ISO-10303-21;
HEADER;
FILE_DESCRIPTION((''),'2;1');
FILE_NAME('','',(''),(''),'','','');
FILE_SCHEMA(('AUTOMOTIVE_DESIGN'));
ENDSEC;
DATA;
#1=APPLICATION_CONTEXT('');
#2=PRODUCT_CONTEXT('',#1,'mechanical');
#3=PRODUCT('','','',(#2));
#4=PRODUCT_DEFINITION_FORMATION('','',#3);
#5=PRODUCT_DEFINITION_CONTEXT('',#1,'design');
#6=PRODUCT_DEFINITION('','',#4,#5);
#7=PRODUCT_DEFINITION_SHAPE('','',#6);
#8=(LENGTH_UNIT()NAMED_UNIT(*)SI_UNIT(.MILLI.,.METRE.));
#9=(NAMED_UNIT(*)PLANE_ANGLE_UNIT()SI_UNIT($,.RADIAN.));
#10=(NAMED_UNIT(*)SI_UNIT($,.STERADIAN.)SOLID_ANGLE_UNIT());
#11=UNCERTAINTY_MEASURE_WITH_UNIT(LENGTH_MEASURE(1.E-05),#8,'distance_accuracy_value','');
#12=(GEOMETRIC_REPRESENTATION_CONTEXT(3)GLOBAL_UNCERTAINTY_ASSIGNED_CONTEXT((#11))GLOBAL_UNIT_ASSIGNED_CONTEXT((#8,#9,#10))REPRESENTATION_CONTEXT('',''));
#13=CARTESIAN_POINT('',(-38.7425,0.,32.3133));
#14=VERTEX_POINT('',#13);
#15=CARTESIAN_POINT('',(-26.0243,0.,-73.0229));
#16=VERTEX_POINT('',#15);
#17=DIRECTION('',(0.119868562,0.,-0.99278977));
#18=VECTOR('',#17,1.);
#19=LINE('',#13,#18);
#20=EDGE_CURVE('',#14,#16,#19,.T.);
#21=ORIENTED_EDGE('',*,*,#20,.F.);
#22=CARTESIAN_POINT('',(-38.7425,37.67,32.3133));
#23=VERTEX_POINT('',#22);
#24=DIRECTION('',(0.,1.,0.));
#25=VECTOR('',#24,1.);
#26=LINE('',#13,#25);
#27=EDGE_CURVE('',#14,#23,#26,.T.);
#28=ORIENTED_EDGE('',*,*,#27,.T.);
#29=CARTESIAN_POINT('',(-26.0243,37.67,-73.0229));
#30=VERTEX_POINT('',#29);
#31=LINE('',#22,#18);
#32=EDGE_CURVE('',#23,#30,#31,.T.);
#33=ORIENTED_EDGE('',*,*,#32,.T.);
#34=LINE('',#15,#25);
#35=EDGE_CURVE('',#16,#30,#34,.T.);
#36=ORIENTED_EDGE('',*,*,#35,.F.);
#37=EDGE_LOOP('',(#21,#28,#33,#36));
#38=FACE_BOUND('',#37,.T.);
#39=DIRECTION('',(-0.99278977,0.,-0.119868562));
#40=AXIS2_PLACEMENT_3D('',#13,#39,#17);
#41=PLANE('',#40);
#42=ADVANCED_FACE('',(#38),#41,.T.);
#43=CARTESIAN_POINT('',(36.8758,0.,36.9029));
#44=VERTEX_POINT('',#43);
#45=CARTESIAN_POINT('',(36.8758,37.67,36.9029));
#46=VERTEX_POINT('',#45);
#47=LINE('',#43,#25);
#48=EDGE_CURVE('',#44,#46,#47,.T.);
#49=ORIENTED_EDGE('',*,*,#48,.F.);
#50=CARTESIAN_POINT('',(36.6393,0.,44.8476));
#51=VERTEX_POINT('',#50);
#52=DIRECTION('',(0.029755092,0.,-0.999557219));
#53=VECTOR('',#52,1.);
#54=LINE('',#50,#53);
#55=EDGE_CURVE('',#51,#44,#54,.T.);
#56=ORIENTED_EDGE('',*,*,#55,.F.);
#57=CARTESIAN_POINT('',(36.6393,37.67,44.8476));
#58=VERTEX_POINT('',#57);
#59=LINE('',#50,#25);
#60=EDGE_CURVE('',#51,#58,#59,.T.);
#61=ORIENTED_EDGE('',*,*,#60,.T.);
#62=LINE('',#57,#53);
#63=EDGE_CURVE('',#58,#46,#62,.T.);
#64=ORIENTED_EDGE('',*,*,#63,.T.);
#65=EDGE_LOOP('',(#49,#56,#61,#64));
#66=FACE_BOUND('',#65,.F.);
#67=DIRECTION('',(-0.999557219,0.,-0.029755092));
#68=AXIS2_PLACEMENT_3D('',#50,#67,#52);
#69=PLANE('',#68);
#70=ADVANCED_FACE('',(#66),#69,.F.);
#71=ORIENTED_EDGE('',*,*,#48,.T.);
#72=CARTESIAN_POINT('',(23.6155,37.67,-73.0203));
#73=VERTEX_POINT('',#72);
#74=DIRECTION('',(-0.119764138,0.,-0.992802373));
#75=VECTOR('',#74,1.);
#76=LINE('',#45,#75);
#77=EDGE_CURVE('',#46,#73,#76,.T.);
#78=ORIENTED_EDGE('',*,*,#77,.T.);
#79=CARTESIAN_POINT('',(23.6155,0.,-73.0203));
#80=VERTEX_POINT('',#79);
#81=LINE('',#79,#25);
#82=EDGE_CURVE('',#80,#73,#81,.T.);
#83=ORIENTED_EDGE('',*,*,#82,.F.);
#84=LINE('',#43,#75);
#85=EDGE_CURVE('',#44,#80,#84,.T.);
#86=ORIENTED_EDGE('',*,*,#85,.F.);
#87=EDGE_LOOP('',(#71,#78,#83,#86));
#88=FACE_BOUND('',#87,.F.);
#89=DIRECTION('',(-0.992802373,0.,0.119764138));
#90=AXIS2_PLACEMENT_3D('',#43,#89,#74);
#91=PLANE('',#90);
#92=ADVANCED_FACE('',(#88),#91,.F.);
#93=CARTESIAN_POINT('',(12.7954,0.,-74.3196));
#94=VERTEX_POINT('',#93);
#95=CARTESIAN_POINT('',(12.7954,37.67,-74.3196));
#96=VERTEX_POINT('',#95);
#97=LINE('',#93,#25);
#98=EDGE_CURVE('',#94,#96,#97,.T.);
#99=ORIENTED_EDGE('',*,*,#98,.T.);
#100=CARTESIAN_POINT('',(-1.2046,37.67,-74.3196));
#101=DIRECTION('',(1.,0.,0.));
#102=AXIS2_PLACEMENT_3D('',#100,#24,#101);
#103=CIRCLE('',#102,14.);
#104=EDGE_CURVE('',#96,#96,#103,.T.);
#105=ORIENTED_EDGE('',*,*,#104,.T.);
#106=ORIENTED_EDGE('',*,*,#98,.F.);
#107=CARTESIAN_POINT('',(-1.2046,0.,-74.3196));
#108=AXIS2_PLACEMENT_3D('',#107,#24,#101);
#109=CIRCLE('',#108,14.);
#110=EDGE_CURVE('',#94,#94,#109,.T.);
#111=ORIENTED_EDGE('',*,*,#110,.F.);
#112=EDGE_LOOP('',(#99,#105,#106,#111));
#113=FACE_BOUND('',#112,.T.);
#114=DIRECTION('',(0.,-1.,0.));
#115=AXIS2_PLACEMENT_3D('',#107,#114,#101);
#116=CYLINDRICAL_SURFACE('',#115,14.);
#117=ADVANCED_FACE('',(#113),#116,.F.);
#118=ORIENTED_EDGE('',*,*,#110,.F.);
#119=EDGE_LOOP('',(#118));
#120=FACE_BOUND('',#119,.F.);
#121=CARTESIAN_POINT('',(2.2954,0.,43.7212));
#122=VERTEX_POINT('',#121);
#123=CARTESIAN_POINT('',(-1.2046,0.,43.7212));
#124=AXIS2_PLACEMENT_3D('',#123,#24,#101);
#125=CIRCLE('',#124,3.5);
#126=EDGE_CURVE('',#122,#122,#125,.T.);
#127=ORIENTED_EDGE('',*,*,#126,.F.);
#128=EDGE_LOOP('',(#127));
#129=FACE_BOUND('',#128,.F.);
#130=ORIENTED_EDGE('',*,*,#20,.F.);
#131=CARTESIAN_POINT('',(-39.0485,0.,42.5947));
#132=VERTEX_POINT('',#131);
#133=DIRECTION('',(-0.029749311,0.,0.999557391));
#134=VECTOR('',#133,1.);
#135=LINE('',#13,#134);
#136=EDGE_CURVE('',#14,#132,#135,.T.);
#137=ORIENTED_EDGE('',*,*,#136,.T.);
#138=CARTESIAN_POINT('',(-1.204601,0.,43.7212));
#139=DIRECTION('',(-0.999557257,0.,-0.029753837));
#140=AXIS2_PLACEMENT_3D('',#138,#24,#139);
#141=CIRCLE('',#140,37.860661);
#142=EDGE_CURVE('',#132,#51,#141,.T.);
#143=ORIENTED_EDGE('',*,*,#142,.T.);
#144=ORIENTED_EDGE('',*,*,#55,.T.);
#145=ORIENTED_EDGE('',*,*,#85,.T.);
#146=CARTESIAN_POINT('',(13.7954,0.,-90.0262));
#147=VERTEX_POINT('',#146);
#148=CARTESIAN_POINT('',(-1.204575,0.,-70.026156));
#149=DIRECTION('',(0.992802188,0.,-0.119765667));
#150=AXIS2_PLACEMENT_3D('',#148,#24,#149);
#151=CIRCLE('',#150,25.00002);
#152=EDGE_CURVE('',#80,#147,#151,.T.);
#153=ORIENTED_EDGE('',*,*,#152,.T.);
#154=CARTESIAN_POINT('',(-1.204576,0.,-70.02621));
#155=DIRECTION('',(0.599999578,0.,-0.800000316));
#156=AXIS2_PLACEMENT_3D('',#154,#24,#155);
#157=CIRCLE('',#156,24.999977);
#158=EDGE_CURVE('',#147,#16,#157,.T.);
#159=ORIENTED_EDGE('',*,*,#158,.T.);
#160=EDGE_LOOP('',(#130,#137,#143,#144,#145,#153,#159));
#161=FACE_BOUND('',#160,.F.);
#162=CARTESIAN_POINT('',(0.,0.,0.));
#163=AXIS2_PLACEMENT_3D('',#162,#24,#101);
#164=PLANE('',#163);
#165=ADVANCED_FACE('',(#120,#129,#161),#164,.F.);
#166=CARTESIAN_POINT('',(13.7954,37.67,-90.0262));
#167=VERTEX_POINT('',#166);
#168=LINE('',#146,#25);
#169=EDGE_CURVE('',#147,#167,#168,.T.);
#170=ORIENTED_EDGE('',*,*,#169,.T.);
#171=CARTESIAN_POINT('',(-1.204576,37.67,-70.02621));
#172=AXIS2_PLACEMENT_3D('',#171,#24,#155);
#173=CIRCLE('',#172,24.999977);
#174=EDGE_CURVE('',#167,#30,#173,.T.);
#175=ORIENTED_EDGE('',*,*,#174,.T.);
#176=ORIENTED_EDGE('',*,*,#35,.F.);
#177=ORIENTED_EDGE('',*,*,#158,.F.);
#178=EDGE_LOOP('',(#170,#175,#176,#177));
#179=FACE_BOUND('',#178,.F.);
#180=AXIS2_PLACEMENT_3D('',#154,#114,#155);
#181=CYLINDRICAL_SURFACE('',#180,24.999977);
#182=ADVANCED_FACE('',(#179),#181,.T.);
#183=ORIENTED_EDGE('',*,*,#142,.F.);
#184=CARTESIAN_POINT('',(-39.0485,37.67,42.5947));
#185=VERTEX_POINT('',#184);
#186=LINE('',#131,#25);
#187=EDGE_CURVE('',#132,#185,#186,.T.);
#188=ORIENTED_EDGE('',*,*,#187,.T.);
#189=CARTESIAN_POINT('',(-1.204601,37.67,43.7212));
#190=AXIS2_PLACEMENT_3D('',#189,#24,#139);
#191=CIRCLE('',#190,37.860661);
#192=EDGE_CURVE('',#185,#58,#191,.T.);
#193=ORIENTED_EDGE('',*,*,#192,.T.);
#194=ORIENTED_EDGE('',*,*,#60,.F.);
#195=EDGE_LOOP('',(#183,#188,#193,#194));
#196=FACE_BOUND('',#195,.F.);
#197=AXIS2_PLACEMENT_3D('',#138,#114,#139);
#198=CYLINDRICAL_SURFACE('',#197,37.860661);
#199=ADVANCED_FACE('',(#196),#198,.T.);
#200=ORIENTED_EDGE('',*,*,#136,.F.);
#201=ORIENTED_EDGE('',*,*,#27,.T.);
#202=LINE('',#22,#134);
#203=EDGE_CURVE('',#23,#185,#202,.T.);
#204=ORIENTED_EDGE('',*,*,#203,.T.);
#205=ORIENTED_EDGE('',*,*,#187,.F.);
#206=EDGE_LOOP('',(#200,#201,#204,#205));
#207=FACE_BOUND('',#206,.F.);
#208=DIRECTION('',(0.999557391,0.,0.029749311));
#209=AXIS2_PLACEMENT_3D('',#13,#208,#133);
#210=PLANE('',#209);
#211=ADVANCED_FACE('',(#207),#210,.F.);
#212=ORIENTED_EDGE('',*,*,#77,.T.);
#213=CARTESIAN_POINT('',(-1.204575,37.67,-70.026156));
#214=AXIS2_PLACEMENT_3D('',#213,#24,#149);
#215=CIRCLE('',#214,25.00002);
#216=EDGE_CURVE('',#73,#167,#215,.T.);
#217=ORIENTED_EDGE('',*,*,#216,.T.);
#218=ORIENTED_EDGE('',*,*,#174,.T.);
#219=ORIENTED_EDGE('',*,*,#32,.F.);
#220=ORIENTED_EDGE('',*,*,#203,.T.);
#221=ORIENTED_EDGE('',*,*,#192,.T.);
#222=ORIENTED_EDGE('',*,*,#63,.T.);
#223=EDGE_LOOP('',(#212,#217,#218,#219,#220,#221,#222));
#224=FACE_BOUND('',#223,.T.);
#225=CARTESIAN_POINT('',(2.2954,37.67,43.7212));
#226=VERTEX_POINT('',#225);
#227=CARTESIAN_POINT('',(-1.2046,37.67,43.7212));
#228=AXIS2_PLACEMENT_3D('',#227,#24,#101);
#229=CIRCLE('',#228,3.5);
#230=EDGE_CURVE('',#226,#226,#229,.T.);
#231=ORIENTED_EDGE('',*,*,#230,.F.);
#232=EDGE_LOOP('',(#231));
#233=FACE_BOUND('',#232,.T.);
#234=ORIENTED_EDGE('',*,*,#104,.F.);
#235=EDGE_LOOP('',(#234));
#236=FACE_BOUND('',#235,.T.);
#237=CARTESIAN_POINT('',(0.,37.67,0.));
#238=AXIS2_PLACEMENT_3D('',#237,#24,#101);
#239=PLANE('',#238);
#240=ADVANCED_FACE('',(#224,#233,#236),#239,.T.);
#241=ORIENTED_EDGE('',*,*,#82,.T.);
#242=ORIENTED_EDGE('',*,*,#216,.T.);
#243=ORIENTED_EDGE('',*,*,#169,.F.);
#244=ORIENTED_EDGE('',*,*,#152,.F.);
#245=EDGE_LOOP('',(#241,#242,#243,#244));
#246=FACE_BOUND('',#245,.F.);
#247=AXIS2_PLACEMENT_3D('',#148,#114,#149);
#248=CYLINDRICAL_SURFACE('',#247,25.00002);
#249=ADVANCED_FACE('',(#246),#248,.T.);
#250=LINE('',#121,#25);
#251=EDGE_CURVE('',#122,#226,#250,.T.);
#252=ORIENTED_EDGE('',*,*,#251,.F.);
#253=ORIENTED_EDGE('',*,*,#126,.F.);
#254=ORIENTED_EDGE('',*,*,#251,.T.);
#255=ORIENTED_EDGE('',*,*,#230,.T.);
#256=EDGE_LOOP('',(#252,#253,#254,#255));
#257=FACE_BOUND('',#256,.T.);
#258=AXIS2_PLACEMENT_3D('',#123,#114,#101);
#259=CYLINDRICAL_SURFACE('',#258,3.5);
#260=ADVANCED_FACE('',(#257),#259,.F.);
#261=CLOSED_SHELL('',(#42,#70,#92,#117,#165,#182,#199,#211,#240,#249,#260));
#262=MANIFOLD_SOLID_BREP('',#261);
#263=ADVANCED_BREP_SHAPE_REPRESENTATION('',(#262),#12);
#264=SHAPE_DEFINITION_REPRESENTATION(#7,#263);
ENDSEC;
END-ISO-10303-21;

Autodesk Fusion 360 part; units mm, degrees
sketch "Sketch1" plane through (0, 0, 0) normal (0, 1, 0) x (1, 0, 0)
  line L0 (36.6393, -44.8476) -> (36.8758, -36.9029)
  line L1 (-38.7425, -32.3133) -> (-39.0485, -42.5947)
  arc A0 (-39.0485, -42.5947) -> (36.6393, -44.8476) centre (-1.2046, -43.7212) ccw
  circle A1 centre (-1.2046, -43.7212) radius 3.5
  circle A2 centre (-1.2046, 74.3196) radius 14
  line L2 (36.8758, -36.9029) -> (23.6155, 73.0203)
  line L3 (-38.7425, -32.3133) -> (-26.0243, 73.0229)
  arc A3 (23.6155, 73.0203) -> (13.7954, 90.0262) centre (-1.2046, 70.0262) ccw
  arc A4 (13.7954, 90.0262) -> (-26.0243, 73.0229) centre (-1.2046, 70.0262) ccw
  dimension "d11" = 28
  dimension "d12" = 25
  dimension "d13" = 25
  dimension "d14" = 105.3362
  dimension "d29" = 7
sketch "Sketch2" plane through (0, 0, 0) normal (0, 1, 0) x (1, 0, 0)
  arc A0 (13.7954, 90.0262) -> (-26.0243, 73.0229) centre (-1.2046, 70.0262) ccw
  line L0 (-38.7425, -32.3133) -> (-39.0485, -42.5947)
  arc A1 (23.6155, 73.0203) -> (13.7954, 90.0262) centre (-1.2046, 70.0262) ccw
  circle A2 centre (-1.2046, 74.3196) radius 14
  line L1 (36.8758, -36.9029) -> (23.6155, 73.0203)
  line L2 (-38.7425, -32.3133) -> (-26.0243, 73.0229)
  arc A3 (-39.0485, -42.5947) -> (36.6393, -44.8476) centre (-1.2046, -43.7212) ccw
  line L3 (36.6393, -44.8476) -> (36.8758, -36.9029)
  dimension "d17" = 28
  dimension "d18" = 25
  dimension "d19" = 25
  dimension "d20" = 105.3362
sketch "Sketch3" plane through (0, 0, 0) normal (0, 1, 0) x (1, 0, 0)
  circle A0 centre (0, 20) radius 10
  dimension "d21" = 20
sketch "Sketch4" plane through (0, -20, 0) normal (0, -1, 0) x (1, 0, 0)
  circle A0 centre (0, -20) radius 10
extrude "Extrude5" add sketch "Sketch1" along normal blind 37.67
equation "d11 = 0.056 m / 2"
